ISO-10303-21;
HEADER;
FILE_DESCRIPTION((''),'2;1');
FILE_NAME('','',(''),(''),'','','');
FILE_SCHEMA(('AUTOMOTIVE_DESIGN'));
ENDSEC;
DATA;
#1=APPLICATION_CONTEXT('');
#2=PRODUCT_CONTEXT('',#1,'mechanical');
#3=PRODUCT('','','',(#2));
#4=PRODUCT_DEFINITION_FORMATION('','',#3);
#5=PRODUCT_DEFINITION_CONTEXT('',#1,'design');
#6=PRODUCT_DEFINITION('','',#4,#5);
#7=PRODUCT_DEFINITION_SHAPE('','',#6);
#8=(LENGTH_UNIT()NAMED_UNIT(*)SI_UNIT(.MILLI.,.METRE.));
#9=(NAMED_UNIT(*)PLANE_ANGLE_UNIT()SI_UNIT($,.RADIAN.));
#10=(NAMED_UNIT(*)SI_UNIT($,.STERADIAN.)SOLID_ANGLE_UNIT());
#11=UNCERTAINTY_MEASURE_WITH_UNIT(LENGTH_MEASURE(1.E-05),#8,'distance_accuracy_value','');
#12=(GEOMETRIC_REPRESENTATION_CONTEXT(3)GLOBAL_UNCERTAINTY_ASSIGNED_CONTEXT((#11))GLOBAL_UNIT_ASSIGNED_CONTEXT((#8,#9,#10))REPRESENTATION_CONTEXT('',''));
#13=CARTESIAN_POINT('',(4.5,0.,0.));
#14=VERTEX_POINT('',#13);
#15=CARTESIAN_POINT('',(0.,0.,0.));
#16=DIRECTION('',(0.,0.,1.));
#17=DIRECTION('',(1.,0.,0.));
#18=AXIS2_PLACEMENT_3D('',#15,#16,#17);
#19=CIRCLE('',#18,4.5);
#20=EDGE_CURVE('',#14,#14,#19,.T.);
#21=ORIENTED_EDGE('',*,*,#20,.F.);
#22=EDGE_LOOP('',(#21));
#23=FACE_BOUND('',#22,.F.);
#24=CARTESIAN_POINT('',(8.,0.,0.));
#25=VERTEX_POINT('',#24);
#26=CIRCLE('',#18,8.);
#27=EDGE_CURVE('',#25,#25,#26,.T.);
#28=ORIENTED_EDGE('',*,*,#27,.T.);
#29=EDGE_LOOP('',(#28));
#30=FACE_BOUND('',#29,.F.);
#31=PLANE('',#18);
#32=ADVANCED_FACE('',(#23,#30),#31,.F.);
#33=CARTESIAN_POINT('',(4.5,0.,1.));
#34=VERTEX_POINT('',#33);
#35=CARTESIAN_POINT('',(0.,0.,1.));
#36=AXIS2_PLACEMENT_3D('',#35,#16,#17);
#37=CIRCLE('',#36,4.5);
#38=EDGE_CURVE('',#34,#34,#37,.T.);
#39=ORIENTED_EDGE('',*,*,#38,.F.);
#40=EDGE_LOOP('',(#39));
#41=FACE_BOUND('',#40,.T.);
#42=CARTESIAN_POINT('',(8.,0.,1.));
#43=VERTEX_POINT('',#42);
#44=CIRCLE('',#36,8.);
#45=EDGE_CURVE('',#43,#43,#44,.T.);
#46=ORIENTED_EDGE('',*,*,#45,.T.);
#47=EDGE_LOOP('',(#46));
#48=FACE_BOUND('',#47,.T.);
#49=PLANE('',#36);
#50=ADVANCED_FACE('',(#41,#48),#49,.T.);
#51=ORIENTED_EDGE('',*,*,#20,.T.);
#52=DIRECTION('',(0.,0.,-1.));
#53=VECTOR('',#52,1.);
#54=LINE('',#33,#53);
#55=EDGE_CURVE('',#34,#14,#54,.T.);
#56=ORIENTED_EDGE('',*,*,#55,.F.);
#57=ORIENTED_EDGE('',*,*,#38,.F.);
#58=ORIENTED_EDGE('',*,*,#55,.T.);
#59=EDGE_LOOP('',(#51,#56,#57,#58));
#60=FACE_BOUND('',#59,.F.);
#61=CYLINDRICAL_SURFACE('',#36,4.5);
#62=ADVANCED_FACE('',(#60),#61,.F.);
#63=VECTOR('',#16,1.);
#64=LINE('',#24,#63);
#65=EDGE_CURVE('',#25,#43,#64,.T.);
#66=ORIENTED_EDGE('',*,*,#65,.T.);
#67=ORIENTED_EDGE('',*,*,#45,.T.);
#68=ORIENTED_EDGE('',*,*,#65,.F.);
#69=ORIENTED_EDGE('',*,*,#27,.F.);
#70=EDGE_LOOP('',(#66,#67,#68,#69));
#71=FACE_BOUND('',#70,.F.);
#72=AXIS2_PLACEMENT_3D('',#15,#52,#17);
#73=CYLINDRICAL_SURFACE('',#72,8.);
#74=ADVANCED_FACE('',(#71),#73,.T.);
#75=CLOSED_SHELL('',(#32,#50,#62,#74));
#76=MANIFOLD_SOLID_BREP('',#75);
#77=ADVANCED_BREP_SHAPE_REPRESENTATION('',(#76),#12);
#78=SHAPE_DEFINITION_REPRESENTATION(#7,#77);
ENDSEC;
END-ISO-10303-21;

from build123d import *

# Parameters (mm, degrees)
SKETCH_1_R          = 8
EXTRUDE_1_DEPTH     = 1
SKETCH_2_R          = 4.5
CUT_EXTRUDE_1_DEPTH = 2


with BuildPart() as part:
    # 草图1 → 凸台-拉伸1 (new body)
    with BuildSketch(Plane.XY):
        Circle(SKETCH_1_R)
    extrude(amount=EXTRUDE_1_DEPTH)

    # 草图2 → 切除-拉伸1 (cut, through all)
    with BuildSketch(Plane.XY.offset(1)):
        Circle(SKETCH_2_R)
    extrude(amount=-CUT_EXTRUDE_1_DEPTH, mode=Mode.SUBTRACT)


solid = part.part
